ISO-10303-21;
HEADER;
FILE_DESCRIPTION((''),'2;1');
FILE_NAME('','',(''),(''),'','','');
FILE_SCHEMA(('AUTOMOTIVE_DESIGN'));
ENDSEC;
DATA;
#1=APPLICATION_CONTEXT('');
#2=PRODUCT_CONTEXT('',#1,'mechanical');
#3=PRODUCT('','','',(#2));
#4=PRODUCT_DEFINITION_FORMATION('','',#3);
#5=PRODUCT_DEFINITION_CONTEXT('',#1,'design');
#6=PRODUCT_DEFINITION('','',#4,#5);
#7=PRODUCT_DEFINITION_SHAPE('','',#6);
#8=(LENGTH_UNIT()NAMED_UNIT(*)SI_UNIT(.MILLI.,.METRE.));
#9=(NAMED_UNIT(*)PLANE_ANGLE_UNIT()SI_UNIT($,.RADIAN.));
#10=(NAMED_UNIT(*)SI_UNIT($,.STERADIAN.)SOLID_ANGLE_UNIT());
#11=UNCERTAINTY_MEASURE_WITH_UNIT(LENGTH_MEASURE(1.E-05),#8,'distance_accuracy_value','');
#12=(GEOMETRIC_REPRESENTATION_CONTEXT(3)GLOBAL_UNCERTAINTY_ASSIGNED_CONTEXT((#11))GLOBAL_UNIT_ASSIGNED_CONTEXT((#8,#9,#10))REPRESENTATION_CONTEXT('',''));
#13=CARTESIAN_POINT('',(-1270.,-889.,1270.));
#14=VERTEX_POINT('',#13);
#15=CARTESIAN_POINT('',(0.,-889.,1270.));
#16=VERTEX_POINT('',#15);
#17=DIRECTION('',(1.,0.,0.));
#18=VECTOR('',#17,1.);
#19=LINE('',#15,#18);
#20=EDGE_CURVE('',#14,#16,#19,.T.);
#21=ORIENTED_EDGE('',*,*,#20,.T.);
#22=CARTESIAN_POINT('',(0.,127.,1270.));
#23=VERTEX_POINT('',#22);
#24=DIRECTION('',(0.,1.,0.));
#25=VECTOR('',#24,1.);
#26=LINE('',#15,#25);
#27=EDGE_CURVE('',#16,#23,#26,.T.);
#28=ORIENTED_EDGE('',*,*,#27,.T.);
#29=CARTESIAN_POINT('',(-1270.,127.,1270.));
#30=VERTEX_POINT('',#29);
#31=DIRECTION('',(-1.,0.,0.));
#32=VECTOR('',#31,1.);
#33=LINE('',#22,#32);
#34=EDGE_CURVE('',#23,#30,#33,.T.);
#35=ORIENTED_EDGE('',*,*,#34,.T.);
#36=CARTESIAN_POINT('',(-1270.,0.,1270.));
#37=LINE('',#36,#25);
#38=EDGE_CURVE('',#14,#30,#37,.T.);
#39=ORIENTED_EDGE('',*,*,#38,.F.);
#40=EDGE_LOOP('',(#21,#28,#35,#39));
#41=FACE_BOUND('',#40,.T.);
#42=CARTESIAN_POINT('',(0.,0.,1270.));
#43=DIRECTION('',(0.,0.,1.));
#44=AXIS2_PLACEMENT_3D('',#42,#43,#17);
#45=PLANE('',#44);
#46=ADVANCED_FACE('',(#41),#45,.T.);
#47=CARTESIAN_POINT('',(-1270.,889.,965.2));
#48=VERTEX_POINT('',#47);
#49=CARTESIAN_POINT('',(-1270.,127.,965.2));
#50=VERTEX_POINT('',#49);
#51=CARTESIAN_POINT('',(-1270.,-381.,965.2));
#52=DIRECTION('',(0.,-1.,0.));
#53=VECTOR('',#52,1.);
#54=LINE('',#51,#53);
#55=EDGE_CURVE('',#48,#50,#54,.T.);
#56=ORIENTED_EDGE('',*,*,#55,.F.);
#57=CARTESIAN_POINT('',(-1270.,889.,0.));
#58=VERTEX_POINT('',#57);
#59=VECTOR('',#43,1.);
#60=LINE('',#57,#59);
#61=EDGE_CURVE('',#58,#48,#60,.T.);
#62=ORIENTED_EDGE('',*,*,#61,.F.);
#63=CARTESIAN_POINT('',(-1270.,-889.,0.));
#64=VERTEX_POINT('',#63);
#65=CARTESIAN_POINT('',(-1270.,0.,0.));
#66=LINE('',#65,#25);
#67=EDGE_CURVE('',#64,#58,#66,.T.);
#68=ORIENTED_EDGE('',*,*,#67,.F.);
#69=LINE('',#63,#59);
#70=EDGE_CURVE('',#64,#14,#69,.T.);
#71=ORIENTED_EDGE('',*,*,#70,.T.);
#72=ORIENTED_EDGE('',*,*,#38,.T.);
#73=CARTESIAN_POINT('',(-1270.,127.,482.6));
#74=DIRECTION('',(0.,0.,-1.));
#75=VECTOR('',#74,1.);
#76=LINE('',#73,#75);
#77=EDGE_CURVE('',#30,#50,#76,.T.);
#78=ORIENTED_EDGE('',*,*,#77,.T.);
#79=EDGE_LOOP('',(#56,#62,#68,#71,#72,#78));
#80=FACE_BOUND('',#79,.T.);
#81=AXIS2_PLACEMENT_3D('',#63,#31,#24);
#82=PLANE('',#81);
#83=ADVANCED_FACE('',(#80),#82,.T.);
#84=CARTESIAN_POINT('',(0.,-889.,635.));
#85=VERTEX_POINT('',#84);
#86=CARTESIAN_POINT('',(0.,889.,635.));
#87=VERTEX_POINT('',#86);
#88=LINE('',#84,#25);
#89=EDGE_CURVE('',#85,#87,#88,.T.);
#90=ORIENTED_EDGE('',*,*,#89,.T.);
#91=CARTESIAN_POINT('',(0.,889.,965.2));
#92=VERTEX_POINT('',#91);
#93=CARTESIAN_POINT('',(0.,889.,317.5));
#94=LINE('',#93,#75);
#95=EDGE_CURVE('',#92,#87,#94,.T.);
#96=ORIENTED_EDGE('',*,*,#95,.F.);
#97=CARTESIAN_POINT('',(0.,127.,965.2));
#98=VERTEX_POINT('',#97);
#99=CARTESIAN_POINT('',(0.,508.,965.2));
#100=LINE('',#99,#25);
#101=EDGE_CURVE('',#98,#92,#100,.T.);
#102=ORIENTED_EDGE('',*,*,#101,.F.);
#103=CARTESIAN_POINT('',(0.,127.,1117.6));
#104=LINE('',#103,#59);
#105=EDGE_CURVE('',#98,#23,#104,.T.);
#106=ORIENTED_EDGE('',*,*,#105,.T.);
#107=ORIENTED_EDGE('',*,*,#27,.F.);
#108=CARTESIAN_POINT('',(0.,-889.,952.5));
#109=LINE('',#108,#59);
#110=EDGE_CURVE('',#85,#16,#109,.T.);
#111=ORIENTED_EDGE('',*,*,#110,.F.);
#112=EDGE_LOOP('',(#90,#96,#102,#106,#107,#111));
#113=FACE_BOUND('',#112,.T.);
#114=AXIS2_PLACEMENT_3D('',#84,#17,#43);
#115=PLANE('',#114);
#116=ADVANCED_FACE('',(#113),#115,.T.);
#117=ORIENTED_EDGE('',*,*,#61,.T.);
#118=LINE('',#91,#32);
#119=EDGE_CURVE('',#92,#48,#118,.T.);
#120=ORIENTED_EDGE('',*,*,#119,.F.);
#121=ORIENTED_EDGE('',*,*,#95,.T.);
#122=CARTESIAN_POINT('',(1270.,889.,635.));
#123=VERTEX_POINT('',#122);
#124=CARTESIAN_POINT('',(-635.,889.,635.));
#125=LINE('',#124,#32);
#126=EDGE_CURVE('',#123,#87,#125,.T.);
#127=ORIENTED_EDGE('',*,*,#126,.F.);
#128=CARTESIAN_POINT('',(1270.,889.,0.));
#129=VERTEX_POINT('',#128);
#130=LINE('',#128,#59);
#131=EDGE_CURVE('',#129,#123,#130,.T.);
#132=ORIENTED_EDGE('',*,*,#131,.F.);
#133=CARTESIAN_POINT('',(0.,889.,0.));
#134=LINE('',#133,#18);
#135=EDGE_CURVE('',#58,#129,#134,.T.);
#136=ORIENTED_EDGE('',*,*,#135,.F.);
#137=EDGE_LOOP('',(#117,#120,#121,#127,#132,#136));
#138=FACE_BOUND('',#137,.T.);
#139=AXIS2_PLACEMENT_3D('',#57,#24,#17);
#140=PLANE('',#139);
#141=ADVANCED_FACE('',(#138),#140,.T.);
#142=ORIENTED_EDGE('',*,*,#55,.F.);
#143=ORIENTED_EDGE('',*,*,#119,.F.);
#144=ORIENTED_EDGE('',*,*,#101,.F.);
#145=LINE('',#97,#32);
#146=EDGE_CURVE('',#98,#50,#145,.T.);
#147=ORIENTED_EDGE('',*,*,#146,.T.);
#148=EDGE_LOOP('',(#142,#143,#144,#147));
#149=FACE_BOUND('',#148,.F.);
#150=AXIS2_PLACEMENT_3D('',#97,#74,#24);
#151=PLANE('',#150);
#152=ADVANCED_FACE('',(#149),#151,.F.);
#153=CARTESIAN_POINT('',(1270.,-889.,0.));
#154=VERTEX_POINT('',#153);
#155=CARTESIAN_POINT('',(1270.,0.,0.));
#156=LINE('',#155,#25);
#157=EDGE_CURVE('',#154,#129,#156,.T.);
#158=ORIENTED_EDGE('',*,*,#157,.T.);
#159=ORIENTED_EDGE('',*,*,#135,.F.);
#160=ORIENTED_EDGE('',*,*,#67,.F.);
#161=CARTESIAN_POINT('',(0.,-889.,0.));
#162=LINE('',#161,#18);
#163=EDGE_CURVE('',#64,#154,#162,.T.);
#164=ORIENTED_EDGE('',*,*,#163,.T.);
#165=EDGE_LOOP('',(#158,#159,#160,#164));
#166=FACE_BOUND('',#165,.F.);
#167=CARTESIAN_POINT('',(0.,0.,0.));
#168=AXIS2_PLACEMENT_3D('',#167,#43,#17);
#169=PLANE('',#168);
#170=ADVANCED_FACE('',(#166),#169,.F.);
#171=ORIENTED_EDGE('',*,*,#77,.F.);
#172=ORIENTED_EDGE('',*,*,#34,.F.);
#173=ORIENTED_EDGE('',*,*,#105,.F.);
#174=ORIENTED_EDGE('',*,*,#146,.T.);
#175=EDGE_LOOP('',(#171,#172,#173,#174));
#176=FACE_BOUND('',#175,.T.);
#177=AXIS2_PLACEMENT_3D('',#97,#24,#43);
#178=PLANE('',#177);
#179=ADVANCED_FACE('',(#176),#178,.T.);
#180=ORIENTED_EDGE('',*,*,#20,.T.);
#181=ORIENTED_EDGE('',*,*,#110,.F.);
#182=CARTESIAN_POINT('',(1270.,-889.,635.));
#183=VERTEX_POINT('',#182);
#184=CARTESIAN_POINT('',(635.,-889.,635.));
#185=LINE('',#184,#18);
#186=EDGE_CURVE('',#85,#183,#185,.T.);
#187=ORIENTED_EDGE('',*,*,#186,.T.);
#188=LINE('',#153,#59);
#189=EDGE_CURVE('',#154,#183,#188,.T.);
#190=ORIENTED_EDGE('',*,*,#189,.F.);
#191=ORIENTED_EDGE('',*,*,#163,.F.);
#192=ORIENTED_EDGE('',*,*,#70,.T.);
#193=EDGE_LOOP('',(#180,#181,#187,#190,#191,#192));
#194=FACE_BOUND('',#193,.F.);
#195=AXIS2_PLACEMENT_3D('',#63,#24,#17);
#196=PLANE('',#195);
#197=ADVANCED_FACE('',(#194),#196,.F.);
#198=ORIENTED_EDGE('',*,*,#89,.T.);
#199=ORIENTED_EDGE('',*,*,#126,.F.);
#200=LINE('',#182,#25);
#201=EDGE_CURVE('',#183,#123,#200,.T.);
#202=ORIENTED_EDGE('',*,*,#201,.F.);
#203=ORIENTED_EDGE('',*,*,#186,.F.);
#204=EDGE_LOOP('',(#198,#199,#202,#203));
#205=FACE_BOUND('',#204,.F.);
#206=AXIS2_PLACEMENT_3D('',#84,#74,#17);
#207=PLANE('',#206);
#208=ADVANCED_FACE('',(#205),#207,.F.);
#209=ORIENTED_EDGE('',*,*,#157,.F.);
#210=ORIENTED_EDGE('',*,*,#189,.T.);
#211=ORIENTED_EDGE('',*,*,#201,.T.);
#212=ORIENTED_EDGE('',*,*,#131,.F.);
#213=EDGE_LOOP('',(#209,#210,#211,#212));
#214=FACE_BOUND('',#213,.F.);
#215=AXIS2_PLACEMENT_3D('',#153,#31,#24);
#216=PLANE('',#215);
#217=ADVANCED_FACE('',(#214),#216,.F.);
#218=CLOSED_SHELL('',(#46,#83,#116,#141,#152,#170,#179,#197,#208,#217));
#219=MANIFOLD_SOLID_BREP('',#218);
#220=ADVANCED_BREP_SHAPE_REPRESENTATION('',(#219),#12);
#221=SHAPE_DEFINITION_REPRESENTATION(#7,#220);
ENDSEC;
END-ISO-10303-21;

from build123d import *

# Parameters (mm, degrees)
F0_W     = 2540
F0_H     = 1778
F1_DEPTH = 1270
F2_W     = 1270
F2_H     = 635
F3_DEPTH = 3934.46
F4_W     = 762
F4_H     = 304.8
F5_DEPTH = 1610.36


with BuildPart() as f1:
    # F0 (on Top) → F1 (new body)
    with BuildSketch(Plane.XY):
        Rectangle(F0_W, F0_H)
    extrude(amount=F1_DEPTH)

    # F2 (on face) → F3 (cut)
    with BuildSketch(Plane.XZ.offset(889)):
        with Locations((635, 952.5)):
            Rectangle(F2_W, F2_H)
    extrude(amount=-F3_DEPTH, mode=Mode.SUBTRACT)

    # F4 (on face) → F5 (cut)
    with BuildSketch(Plane.YZ):
        with Locations((508, 1117.6)):
            Rectangle(F4_W, F4_H)
    extrude(amount=-F5_DEPTH, mode=Mode.SUBTRACT)


solid = f1.part
